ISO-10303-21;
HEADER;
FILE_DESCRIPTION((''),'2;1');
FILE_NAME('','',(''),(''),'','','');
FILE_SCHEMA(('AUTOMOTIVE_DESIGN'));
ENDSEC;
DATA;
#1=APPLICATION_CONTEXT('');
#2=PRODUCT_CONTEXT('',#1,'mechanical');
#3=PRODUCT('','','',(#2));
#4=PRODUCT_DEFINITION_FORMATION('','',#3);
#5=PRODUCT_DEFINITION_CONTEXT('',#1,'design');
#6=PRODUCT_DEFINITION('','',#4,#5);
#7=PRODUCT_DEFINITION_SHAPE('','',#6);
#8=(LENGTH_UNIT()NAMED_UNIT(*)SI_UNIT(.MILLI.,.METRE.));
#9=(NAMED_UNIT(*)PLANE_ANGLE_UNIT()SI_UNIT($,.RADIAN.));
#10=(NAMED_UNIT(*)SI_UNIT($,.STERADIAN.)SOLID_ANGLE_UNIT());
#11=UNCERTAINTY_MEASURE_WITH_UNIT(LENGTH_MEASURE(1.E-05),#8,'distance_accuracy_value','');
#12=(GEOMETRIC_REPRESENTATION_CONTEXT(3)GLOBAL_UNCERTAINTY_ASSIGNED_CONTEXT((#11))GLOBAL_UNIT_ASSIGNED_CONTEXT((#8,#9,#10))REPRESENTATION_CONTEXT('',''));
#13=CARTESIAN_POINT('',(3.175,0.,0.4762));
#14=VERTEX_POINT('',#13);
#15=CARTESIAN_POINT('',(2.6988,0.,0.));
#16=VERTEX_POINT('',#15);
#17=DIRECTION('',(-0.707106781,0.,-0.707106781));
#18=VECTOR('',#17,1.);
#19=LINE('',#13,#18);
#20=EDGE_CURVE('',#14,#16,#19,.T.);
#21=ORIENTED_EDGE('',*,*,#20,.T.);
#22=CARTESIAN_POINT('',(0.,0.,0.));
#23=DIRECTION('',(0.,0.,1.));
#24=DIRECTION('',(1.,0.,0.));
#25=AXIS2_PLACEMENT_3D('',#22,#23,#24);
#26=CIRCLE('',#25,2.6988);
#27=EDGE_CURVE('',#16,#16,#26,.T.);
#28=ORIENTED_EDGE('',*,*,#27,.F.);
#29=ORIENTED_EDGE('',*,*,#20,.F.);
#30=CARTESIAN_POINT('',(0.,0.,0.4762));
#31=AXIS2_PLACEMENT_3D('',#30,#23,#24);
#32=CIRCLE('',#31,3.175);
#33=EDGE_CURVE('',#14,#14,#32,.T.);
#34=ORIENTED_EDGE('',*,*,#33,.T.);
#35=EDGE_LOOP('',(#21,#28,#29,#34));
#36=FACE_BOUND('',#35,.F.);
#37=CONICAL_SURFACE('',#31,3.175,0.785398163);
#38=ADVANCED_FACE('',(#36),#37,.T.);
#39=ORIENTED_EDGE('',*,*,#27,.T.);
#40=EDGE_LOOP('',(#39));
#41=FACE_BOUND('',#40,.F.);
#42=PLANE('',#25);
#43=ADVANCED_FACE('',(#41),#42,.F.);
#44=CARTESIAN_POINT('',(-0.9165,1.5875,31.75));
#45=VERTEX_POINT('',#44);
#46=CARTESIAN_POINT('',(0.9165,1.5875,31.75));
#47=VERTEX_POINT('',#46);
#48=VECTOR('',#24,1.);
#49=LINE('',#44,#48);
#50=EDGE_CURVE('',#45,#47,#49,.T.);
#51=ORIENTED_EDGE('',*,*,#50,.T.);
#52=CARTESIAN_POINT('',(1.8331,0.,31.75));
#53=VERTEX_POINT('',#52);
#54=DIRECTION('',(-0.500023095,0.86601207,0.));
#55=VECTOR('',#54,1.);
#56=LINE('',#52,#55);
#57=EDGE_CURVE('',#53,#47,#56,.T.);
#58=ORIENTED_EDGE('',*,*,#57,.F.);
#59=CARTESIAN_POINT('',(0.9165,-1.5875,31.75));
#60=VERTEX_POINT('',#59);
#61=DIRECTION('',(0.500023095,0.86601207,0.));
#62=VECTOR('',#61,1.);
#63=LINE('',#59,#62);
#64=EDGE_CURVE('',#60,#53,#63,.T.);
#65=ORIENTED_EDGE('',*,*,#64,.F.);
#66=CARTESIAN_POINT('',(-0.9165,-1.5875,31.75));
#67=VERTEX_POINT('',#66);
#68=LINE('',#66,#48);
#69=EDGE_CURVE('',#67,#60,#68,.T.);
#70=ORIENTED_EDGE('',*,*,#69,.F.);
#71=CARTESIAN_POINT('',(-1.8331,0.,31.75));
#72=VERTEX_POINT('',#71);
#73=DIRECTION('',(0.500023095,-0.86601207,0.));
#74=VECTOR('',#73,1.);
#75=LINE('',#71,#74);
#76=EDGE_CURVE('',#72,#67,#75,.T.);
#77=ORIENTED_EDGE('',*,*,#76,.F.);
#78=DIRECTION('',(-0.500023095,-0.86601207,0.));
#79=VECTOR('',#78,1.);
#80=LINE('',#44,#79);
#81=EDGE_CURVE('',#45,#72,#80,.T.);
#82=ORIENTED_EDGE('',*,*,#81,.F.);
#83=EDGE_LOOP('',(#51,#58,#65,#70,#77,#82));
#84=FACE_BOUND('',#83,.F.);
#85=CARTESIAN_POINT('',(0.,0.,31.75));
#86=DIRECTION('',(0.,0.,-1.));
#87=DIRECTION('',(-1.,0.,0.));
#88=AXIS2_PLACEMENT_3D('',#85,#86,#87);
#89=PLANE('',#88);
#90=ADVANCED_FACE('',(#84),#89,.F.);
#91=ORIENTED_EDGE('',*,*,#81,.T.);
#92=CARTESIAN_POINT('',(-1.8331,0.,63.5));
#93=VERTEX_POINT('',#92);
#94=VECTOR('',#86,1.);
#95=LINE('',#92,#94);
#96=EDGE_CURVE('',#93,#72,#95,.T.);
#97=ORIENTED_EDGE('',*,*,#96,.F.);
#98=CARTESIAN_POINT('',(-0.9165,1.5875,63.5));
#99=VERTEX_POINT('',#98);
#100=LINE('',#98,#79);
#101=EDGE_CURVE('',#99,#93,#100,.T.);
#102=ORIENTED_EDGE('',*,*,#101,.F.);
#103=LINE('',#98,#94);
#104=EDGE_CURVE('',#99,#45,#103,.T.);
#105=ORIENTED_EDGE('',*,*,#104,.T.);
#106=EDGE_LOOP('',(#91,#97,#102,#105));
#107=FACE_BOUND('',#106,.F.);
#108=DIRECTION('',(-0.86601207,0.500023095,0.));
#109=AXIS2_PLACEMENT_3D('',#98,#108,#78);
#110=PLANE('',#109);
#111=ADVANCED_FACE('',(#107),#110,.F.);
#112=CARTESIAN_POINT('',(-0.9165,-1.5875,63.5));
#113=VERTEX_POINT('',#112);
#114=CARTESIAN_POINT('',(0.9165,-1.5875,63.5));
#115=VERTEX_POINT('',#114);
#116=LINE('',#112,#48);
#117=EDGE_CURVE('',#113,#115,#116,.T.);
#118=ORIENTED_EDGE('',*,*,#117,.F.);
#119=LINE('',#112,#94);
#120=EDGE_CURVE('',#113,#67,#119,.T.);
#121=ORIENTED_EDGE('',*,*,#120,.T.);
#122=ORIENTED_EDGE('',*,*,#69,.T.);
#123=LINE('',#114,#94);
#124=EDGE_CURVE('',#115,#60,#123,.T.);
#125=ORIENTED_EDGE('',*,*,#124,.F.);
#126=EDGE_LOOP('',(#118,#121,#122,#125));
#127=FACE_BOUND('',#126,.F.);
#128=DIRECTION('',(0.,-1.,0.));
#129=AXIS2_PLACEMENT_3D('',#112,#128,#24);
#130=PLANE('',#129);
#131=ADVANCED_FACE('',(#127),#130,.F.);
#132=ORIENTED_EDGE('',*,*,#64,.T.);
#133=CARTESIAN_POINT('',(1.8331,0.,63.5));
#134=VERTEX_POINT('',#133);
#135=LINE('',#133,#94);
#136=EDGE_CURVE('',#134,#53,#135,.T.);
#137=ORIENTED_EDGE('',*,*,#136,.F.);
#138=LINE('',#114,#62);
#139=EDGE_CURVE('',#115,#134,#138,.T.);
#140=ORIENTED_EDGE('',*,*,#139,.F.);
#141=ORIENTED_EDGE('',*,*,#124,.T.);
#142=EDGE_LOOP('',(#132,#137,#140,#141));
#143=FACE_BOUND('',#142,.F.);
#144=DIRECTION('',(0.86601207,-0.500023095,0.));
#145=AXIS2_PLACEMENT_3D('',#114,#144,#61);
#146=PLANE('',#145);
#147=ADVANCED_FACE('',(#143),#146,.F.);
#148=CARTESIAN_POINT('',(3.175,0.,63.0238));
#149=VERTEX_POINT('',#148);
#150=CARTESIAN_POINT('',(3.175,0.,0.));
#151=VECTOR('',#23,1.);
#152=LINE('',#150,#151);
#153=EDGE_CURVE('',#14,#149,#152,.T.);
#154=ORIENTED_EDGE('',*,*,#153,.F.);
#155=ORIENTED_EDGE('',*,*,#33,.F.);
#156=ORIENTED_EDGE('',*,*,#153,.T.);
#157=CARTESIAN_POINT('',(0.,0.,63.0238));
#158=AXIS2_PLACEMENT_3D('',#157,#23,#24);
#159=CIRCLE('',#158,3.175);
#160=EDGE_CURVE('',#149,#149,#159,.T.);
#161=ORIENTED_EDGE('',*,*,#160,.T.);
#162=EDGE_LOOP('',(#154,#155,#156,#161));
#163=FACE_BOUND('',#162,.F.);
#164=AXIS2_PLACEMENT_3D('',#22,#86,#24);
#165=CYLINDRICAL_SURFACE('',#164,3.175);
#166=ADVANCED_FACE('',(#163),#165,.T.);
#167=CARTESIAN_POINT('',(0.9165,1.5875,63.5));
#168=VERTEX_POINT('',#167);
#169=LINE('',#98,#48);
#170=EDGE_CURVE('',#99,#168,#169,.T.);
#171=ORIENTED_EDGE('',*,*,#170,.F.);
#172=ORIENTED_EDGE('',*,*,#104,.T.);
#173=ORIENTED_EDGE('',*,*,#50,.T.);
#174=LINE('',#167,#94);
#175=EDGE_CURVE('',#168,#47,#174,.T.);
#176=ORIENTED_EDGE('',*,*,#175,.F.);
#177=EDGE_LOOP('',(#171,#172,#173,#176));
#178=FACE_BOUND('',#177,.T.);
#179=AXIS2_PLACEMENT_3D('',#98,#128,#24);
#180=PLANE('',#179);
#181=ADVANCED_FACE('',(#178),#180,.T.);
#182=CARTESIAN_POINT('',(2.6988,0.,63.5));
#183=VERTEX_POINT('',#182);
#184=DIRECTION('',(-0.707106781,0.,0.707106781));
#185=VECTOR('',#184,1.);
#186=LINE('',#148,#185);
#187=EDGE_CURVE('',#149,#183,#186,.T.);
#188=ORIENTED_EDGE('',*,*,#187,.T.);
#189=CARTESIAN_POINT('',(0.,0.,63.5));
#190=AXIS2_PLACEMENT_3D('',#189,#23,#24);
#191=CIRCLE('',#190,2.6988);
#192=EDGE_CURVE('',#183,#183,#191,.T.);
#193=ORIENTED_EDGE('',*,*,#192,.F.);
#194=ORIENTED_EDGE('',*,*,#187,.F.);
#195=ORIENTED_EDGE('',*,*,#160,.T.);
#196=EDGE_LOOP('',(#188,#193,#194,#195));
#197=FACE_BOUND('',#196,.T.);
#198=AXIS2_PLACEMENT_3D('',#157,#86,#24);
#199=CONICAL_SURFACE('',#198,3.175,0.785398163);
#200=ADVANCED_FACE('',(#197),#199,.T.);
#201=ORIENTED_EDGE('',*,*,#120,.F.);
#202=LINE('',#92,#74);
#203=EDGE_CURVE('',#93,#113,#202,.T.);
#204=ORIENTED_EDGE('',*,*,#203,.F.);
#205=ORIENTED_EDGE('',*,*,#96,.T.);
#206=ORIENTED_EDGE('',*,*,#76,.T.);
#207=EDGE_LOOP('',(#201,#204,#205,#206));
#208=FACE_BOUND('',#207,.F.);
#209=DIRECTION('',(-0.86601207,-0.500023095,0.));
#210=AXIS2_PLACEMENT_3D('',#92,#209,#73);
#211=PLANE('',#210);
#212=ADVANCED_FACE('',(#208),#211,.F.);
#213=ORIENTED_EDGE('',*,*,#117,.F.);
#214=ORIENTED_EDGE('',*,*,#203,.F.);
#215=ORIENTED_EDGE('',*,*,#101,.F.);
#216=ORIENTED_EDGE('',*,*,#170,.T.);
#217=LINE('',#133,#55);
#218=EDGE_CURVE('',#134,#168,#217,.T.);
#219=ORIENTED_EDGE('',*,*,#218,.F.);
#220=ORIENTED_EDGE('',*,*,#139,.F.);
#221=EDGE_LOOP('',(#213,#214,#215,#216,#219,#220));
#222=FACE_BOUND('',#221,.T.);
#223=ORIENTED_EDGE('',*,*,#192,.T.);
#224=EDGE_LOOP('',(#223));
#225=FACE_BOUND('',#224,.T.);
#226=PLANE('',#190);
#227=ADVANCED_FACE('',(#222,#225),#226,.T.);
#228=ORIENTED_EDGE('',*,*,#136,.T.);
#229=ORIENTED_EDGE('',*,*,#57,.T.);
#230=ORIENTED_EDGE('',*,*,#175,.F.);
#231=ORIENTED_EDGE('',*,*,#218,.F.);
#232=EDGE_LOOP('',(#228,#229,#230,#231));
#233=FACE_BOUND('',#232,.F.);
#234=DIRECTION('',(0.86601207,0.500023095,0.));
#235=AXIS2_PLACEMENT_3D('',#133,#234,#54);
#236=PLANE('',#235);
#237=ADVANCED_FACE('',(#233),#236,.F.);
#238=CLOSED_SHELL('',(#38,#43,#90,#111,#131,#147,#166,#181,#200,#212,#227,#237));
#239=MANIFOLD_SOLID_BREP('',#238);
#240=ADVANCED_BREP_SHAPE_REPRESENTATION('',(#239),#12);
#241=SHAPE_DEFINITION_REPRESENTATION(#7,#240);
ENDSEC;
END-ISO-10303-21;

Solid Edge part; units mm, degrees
sketch "Sketch1" plane through (0, 0, 0) normal (0, 0, 1) x (1, 0, 0)
  circle A0 centre (0, 0) radius 3.175
  dimension "D1" = 6.35
extrude "Protrusion1" add sketch "Sketch1" along normal blind 63.5
chamfer "Chamfer1" distance 0.4762 angle 45 2 edges at (-3.175, 0, 0) (-3.175, 0, 63.5)
sketch "Sketch2" plane through (0, 0, 63.5) normal (0, 0, 1) x (1, 0, 0)
  line L0 (-0.9165, 1.5875) -> (0.9165, 1.5875)
  line L1 (1.8331, 0) -> (0.9165, 1.5875)
  line L2 (0.9165, -1.5875) -> (1.8331, 0)
  line L3 (-0.9165, -1.5875) -> (0.9165, -1.5875)
  line L4 (-1.8331, 0) -> (-0.9165, -1.5875)
  line L5 (-0.9165, 1.5875) -> (-1.8331, 0)
  dimension "D1" = 3.175
extrude "Cutout1" cut sketch "Sketch2" against normal blind 31.75
properties part number "162158"
